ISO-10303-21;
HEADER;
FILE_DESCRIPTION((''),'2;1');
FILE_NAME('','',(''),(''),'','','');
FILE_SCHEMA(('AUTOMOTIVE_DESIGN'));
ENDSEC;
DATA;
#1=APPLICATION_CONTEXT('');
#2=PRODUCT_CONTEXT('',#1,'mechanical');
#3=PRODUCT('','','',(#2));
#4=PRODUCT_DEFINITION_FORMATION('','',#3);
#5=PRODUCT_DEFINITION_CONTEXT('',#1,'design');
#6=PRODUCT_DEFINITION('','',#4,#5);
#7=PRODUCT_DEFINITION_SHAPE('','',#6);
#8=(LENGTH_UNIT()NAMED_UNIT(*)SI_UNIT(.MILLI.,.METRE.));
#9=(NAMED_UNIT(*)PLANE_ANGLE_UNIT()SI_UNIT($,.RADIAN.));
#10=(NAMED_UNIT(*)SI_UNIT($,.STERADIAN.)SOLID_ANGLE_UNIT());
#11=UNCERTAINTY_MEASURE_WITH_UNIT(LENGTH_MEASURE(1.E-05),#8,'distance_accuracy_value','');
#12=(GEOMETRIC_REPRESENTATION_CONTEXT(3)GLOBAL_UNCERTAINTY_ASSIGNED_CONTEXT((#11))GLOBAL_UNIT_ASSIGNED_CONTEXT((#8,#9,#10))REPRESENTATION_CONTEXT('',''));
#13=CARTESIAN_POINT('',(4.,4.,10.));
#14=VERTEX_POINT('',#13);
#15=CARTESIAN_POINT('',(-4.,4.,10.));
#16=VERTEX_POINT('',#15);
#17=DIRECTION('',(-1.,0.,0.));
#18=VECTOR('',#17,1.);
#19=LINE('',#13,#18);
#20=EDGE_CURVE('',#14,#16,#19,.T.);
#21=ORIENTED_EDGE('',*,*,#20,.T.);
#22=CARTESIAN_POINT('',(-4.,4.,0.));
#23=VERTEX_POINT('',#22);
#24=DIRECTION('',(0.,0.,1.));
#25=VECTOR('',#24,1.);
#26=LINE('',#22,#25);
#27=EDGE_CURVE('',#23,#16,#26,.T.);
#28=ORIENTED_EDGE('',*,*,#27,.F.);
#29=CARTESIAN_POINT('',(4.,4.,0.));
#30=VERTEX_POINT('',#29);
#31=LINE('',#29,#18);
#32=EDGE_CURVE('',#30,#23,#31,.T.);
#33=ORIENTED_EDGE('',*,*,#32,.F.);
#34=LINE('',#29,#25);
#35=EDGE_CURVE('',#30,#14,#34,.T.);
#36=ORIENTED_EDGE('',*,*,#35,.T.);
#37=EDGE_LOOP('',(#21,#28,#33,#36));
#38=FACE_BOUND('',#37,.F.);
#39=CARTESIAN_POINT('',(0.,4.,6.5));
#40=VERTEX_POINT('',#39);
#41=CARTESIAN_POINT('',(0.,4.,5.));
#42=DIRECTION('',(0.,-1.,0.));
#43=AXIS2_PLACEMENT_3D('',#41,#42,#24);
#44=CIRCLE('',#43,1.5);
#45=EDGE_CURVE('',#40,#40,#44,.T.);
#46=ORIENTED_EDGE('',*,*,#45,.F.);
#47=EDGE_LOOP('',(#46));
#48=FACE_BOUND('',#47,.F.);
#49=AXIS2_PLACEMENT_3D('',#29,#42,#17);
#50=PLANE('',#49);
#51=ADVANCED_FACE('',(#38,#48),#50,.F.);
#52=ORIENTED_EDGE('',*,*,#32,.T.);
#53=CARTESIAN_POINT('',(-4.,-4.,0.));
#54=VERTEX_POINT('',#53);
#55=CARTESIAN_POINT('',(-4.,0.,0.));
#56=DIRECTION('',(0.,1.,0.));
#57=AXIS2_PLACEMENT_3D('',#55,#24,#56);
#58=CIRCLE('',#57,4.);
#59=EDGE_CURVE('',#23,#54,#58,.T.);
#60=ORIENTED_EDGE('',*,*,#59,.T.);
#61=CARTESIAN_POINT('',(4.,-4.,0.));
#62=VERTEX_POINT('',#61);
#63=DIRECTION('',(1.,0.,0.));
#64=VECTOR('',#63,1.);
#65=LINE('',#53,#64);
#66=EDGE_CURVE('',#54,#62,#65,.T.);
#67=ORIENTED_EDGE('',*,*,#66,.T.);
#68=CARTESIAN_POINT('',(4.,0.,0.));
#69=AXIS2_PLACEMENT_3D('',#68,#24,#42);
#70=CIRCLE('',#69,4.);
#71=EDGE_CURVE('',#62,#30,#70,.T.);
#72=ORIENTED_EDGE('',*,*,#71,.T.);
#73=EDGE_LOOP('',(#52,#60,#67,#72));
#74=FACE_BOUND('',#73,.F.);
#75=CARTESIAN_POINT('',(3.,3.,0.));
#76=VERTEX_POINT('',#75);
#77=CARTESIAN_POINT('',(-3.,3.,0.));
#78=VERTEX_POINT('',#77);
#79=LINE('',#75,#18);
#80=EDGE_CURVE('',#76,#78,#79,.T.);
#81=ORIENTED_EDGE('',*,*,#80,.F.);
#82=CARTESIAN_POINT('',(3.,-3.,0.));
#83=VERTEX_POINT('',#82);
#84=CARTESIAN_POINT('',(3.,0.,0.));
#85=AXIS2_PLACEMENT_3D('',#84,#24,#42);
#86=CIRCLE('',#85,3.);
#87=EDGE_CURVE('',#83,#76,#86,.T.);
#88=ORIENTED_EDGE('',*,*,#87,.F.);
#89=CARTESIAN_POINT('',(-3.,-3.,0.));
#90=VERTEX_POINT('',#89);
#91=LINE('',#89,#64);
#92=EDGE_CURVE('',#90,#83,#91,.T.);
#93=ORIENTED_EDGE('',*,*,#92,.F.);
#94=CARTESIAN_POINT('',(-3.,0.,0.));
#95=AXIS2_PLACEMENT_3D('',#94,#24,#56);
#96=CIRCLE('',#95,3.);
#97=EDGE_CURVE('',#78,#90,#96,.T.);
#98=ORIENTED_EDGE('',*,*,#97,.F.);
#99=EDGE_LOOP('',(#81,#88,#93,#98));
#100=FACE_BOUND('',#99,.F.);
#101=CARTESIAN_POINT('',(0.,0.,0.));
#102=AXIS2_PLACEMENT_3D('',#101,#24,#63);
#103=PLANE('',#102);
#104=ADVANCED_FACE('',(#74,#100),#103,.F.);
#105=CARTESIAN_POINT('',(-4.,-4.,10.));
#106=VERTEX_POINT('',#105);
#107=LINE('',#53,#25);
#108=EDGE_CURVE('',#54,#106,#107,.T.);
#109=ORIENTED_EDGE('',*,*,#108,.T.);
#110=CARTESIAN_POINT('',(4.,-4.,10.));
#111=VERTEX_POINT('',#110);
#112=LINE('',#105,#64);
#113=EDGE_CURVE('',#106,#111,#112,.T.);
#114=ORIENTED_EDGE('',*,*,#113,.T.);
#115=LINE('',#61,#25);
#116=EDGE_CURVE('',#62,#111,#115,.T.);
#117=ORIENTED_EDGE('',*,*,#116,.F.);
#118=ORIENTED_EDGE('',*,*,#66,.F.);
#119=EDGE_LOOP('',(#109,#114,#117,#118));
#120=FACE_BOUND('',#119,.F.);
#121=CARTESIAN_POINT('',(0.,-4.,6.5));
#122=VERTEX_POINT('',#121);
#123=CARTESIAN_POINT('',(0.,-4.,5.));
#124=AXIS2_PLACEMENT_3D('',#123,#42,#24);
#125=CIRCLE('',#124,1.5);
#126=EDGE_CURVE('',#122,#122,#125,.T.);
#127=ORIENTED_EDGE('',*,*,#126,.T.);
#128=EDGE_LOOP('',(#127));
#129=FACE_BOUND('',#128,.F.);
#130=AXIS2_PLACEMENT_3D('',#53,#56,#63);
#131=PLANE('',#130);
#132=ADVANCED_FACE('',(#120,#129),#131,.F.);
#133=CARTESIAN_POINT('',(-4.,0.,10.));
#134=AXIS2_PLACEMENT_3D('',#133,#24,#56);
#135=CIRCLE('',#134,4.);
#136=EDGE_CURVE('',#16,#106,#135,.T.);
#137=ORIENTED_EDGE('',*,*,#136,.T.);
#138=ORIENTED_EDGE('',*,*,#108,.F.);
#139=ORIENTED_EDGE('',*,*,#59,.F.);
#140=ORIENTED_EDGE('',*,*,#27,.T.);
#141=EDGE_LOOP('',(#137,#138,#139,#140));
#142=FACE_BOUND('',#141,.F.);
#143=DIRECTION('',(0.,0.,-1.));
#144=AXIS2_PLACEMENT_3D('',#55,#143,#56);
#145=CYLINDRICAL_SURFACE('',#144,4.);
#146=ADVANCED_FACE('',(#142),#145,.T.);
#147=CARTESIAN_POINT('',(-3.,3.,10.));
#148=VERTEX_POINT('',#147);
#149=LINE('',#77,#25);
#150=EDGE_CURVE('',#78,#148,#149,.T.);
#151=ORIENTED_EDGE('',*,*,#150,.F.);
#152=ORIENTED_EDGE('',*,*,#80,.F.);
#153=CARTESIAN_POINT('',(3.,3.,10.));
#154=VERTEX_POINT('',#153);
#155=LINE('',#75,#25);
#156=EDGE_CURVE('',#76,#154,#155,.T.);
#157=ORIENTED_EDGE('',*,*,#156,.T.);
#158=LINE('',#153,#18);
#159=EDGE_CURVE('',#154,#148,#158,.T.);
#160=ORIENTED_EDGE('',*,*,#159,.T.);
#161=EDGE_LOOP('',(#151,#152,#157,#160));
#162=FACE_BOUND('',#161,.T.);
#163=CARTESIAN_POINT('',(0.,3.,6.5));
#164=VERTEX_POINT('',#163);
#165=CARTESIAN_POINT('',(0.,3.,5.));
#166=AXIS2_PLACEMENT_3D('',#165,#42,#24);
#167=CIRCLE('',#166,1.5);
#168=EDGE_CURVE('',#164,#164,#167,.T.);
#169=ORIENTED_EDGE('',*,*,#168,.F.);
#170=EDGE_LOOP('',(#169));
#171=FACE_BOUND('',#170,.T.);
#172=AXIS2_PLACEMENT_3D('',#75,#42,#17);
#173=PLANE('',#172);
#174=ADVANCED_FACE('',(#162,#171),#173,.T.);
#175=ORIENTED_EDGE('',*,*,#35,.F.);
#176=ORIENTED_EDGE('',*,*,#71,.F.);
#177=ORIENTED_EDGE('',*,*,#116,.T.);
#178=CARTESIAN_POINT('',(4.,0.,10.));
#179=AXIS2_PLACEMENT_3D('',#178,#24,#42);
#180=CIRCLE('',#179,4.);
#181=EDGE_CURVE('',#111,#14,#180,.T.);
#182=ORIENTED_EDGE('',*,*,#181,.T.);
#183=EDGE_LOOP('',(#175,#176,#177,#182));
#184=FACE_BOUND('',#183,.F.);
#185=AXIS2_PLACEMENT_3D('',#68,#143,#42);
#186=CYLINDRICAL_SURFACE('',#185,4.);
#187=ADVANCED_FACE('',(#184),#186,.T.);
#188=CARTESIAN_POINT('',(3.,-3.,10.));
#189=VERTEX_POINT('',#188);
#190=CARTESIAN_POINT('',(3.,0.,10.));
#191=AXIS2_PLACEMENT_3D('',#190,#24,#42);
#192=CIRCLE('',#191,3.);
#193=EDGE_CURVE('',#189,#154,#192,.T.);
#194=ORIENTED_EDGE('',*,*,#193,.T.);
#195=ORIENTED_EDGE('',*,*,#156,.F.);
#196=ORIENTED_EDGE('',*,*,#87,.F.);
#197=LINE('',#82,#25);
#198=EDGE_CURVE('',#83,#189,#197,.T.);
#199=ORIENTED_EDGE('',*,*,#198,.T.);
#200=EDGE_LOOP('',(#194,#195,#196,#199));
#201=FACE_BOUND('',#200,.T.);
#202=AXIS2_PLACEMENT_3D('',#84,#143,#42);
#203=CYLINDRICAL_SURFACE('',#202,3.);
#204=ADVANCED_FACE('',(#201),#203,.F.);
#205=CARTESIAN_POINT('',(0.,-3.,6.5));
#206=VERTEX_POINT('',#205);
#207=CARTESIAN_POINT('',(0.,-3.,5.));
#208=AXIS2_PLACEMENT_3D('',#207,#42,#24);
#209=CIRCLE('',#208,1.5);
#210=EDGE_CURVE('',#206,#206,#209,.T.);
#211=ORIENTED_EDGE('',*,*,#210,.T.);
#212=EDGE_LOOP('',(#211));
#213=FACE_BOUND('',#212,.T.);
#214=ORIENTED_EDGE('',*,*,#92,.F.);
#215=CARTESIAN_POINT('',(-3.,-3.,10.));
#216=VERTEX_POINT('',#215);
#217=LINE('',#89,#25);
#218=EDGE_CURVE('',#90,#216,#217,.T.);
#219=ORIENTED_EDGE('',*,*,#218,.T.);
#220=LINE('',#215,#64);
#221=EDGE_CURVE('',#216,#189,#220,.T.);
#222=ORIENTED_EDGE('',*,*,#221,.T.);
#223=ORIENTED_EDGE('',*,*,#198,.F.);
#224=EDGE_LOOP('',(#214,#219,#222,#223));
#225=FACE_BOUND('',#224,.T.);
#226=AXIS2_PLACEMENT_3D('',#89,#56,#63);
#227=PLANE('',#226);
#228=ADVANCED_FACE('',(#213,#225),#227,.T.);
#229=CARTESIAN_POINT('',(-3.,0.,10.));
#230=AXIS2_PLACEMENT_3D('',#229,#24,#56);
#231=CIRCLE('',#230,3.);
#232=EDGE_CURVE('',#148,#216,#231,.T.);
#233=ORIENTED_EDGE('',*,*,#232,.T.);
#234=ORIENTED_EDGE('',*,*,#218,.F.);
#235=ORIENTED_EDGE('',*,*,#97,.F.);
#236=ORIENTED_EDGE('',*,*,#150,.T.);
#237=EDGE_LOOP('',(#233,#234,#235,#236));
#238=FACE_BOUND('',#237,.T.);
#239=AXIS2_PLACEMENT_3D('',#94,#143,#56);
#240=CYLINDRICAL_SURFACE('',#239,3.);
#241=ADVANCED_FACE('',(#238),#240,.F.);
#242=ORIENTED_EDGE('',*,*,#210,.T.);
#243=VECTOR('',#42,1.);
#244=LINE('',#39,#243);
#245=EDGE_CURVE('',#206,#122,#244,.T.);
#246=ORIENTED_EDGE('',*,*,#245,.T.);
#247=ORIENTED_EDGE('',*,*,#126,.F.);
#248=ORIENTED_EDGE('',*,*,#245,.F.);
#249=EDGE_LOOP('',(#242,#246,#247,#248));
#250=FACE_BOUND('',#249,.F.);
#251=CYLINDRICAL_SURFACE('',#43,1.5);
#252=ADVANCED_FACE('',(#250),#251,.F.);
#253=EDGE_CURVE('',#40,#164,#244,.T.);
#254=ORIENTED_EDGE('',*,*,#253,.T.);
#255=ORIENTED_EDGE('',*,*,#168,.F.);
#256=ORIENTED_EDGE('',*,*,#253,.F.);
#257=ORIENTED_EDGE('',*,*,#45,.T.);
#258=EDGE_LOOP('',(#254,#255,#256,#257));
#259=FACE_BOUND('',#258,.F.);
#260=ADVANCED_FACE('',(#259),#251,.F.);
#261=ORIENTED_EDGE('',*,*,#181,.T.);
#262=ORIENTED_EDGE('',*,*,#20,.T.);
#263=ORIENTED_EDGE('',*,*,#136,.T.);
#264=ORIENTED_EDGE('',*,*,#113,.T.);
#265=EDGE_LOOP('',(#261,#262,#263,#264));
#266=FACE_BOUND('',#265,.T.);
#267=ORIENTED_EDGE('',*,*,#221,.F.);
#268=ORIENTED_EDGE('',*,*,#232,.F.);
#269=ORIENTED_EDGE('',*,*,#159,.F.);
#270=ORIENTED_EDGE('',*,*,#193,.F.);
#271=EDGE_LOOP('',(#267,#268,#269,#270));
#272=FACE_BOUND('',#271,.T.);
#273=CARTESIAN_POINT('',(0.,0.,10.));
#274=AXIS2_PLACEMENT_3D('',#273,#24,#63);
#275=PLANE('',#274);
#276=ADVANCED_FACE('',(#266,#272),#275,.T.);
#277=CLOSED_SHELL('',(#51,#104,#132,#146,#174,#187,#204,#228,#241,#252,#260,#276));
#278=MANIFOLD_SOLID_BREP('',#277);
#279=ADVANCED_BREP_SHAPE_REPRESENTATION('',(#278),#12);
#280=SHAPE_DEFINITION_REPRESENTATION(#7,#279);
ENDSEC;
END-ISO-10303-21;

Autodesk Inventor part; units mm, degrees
ref_plane "YZ Plane" through (0, 0, 0) normal (1, 0, 0) x (0, 1, 0)
ref_plane "XZ Plane" through (0, 0, 0) normal (0, 1, 0) x (-1, 0, 0)
ref_plane "XY Plane" through (0, 0, 0) normal (0, 0, 1) x (1, 0, 0)
sketch "Sketch1" plane through (0, 0, 0) normal (0, 0, 1) x (1, 0, 0)
  line L0 (-4, 0) -> (4, 0) construction
  line L1 (-4, -4) -> (4, -4)
  line L2 (4, 4) -> (-4, 4)
  arc A0 (-4, 4) -> (-4, -4) centre (-4, 0) ccw
  arc A1 (4, -4) -> (4, 4) centre (4, 0) ccw
  line L3 (-3, 0) -> (3, 0) construction
  line L4 (-3, -3) -> (3, -3)
  line L5 (3, 3) -> (-3, 3)
  arc A2 (-3, 3) -> (-3, -3) centre (-3, 0) ccw
  arc A3 (3, -3) -> (3, 3) centre (3, 0) ccw
  point P0 (0, 0)
extrude "Extrusion1" add sketch "Sketch1" along normal blind 10
sketch "Sketch2" plane through (-4, 4, 0) normal (0, 1, 0) x (1, 0, 0)
  point P0 (4, 0)
  point P1 (4, -5)
hole "Hole1" at (0, 4, 5) direction (0, -1, 0) diameter 3 end through all
properties part number "silicon_tube" material "Rubber, Silicone"
